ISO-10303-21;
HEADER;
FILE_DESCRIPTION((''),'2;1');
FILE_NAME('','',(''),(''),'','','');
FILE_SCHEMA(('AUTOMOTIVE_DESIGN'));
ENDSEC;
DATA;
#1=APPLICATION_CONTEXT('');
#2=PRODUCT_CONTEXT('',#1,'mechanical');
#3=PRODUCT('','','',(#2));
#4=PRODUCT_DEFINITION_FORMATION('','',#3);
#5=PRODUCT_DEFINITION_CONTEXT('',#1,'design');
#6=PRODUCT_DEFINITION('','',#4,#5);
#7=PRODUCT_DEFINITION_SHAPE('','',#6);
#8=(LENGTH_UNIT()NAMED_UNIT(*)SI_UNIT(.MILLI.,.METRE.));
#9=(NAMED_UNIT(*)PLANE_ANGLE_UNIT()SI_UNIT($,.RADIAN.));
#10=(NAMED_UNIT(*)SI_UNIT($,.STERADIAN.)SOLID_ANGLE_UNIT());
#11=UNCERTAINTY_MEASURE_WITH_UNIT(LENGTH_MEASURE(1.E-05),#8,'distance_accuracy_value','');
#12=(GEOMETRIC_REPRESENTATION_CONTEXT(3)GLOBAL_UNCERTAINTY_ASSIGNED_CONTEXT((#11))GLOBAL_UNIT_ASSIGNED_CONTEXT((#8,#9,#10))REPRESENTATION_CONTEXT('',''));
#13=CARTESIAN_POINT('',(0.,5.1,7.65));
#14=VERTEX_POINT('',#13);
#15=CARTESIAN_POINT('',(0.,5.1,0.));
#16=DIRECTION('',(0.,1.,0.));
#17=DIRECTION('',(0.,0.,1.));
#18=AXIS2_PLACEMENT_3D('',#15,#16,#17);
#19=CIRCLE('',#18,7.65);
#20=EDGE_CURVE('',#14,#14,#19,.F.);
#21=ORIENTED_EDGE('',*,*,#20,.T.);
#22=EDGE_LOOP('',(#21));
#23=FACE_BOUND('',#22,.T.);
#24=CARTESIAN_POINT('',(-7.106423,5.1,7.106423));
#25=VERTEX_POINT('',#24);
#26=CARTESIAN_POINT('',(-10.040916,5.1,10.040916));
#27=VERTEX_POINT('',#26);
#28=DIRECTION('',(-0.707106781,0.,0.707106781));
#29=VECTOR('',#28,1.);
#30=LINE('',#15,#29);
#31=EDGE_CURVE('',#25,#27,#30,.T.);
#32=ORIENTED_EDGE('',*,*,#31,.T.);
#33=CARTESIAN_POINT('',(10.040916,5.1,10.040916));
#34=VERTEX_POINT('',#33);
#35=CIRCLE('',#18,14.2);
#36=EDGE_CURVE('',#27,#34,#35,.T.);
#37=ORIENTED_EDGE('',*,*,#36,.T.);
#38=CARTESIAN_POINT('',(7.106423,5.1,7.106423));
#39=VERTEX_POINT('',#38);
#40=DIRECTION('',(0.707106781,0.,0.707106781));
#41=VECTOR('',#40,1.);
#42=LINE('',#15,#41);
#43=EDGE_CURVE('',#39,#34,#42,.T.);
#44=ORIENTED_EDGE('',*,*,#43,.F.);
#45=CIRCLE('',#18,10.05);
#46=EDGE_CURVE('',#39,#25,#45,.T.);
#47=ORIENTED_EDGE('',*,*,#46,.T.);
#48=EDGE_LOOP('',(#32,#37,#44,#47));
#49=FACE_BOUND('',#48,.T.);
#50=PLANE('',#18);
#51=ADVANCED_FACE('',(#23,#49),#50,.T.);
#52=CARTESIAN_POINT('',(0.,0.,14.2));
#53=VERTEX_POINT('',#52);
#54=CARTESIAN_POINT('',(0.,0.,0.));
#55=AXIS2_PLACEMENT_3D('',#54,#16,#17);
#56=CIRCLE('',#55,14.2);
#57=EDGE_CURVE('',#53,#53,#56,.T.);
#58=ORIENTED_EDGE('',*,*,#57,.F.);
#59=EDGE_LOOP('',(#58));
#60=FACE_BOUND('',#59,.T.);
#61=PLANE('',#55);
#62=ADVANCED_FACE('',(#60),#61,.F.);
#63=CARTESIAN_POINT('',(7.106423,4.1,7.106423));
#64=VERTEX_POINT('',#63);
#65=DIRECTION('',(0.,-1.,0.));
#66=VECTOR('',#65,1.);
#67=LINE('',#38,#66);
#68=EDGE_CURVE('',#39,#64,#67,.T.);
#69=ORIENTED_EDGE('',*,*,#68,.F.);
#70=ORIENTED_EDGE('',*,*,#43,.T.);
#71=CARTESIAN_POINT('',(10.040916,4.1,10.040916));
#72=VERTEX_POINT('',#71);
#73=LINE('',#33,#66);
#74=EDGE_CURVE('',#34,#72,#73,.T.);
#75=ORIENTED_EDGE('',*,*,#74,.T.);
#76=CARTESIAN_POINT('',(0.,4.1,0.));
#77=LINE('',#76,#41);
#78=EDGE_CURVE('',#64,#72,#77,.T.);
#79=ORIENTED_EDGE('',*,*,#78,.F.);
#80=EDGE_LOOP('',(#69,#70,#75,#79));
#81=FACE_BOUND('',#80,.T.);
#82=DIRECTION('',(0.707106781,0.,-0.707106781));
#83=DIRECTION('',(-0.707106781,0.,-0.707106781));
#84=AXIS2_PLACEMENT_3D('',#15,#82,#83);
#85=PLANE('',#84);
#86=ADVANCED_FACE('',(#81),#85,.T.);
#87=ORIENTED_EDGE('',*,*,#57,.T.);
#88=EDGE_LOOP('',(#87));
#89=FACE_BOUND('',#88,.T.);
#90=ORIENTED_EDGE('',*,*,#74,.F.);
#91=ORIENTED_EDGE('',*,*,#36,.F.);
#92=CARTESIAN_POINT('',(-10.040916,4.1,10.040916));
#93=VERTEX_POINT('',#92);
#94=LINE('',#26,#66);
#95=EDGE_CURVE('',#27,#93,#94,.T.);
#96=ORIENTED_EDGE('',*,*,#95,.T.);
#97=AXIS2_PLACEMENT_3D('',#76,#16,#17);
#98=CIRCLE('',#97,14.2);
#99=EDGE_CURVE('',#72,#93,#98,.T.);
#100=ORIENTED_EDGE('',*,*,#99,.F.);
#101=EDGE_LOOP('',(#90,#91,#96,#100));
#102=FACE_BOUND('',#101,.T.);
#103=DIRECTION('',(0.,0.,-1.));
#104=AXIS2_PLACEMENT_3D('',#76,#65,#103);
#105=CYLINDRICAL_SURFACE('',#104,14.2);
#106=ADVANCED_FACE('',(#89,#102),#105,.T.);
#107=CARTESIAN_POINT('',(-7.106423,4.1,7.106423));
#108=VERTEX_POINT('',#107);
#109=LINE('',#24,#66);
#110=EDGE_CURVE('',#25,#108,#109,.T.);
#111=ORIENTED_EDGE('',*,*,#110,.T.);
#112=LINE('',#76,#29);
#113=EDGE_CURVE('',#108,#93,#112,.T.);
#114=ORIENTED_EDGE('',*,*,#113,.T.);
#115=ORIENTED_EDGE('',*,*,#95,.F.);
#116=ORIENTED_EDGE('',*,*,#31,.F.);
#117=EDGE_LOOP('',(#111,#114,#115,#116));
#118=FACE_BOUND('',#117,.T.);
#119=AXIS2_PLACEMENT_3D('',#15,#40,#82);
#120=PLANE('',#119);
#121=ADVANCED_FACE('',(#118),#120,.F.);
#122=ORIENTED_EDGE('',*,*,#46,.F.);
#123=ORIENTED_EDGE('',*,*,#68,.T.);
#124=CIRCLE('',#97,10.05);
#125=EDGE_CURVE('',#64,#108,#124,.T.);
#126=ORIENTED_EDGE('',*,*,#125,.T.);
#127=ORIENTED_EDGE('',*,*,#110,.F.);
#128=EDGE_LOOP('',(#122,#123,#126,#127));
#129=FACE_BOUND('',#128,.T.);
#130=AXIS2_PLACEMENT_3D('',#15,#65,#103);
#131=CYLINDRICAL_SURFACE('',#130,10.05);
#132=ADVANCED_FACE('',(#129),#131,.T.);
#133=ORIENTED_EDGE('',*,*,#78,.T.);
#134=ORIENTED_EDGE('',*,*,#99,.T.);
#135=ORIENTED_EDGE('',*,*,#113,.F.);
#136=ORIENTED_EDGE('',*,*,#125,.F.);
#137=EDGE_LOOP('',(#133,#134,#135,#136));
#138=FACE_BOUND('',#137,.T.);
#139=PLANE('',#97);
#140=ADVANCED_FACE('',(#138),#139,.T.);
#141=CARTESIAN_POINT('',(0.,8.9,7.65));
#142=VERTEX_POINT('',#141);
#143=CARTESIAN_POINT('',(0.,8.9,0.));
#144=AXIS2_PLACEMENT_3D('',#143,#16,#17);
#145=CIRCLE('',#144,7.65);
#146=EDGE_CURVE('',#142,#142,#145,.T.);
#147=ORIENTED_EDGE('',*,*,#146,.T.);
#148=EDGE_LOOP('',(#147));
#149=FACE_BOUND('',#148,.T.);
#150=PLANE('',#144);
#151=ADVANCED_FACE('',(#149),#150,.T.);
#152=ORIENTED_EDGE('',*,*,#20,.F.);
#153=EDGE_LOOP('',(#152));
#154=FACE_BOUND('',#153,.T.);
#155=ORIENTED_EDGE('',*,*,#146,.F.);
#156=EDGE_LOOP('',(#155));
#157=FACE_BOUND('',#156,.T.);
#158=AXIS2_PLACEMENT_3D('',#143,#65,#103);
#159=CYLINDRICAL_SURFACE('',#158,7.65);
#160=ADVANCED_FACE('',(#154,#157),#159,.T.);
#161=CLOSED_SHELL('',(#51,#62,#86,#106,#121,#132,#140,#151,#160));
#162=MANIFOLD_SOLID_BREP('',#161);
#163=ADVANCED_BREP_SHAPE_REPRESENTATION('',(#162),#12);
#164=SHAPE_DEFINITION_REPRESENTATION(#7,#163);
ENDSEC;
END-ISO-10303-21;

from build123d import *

# Parameters (mm, degrees)
SKETCH_1_R      = 14.2
EXTRUDE_1_DEPTH = 4.1
EXTRUDE_2_DEPTH = 1
SKETCH_2_4_R    = 7.65
EXTRUDE_3_DEPTH = 4.8


with BuildPart() as part:
    # 草图1 → 凸台-拉伸1 (new body)
    with BuildSketch(Plane(origin=(0, 0, 0), x_dir=(1, 0, 0), z_dir=(0, 1, 0))):
        Circle(SKETCH_1_R)
    extrude(amount=EXTRUDE_1_DEPTH)

    # 草图2 → 凸台-拉伸2 (add)
    with BuildSketch(Plane(origin=(0, 4.1, 0), x_dir=(1, 0, 0), z_dir=(0, 1, 0))):
        with BuildLine():
            ThreePointArc((7.106423151, -7.106423151), (0, 10.05), (-7.106423151, -7.106423151))
            Line((-7.106423151, -7.106423151), (-10.040916293, -10.040916293))
            ThreePointArc((-10.040916293, -10.040916293), (0, -14.2), (10.040916293, -10.040916293))
            Line((10.040916293, -10.040916293), (7.106423151, -7.106423151))
        make_face()
    extrude(amount=EXTRUDE_2_DEPTH)

    # 草图2<4> → 凸台-拉伸3 (add)
    with BuildSketch(Plane(origin=(0, 4.1, 0), x_dir=(1, 0, 0), z_dir=(0, 1, 0))):
        Circle(SKETCH_2_4_R)
    extrude(amount=EXTRUDE_3_DEPTH)


solid = part.part
